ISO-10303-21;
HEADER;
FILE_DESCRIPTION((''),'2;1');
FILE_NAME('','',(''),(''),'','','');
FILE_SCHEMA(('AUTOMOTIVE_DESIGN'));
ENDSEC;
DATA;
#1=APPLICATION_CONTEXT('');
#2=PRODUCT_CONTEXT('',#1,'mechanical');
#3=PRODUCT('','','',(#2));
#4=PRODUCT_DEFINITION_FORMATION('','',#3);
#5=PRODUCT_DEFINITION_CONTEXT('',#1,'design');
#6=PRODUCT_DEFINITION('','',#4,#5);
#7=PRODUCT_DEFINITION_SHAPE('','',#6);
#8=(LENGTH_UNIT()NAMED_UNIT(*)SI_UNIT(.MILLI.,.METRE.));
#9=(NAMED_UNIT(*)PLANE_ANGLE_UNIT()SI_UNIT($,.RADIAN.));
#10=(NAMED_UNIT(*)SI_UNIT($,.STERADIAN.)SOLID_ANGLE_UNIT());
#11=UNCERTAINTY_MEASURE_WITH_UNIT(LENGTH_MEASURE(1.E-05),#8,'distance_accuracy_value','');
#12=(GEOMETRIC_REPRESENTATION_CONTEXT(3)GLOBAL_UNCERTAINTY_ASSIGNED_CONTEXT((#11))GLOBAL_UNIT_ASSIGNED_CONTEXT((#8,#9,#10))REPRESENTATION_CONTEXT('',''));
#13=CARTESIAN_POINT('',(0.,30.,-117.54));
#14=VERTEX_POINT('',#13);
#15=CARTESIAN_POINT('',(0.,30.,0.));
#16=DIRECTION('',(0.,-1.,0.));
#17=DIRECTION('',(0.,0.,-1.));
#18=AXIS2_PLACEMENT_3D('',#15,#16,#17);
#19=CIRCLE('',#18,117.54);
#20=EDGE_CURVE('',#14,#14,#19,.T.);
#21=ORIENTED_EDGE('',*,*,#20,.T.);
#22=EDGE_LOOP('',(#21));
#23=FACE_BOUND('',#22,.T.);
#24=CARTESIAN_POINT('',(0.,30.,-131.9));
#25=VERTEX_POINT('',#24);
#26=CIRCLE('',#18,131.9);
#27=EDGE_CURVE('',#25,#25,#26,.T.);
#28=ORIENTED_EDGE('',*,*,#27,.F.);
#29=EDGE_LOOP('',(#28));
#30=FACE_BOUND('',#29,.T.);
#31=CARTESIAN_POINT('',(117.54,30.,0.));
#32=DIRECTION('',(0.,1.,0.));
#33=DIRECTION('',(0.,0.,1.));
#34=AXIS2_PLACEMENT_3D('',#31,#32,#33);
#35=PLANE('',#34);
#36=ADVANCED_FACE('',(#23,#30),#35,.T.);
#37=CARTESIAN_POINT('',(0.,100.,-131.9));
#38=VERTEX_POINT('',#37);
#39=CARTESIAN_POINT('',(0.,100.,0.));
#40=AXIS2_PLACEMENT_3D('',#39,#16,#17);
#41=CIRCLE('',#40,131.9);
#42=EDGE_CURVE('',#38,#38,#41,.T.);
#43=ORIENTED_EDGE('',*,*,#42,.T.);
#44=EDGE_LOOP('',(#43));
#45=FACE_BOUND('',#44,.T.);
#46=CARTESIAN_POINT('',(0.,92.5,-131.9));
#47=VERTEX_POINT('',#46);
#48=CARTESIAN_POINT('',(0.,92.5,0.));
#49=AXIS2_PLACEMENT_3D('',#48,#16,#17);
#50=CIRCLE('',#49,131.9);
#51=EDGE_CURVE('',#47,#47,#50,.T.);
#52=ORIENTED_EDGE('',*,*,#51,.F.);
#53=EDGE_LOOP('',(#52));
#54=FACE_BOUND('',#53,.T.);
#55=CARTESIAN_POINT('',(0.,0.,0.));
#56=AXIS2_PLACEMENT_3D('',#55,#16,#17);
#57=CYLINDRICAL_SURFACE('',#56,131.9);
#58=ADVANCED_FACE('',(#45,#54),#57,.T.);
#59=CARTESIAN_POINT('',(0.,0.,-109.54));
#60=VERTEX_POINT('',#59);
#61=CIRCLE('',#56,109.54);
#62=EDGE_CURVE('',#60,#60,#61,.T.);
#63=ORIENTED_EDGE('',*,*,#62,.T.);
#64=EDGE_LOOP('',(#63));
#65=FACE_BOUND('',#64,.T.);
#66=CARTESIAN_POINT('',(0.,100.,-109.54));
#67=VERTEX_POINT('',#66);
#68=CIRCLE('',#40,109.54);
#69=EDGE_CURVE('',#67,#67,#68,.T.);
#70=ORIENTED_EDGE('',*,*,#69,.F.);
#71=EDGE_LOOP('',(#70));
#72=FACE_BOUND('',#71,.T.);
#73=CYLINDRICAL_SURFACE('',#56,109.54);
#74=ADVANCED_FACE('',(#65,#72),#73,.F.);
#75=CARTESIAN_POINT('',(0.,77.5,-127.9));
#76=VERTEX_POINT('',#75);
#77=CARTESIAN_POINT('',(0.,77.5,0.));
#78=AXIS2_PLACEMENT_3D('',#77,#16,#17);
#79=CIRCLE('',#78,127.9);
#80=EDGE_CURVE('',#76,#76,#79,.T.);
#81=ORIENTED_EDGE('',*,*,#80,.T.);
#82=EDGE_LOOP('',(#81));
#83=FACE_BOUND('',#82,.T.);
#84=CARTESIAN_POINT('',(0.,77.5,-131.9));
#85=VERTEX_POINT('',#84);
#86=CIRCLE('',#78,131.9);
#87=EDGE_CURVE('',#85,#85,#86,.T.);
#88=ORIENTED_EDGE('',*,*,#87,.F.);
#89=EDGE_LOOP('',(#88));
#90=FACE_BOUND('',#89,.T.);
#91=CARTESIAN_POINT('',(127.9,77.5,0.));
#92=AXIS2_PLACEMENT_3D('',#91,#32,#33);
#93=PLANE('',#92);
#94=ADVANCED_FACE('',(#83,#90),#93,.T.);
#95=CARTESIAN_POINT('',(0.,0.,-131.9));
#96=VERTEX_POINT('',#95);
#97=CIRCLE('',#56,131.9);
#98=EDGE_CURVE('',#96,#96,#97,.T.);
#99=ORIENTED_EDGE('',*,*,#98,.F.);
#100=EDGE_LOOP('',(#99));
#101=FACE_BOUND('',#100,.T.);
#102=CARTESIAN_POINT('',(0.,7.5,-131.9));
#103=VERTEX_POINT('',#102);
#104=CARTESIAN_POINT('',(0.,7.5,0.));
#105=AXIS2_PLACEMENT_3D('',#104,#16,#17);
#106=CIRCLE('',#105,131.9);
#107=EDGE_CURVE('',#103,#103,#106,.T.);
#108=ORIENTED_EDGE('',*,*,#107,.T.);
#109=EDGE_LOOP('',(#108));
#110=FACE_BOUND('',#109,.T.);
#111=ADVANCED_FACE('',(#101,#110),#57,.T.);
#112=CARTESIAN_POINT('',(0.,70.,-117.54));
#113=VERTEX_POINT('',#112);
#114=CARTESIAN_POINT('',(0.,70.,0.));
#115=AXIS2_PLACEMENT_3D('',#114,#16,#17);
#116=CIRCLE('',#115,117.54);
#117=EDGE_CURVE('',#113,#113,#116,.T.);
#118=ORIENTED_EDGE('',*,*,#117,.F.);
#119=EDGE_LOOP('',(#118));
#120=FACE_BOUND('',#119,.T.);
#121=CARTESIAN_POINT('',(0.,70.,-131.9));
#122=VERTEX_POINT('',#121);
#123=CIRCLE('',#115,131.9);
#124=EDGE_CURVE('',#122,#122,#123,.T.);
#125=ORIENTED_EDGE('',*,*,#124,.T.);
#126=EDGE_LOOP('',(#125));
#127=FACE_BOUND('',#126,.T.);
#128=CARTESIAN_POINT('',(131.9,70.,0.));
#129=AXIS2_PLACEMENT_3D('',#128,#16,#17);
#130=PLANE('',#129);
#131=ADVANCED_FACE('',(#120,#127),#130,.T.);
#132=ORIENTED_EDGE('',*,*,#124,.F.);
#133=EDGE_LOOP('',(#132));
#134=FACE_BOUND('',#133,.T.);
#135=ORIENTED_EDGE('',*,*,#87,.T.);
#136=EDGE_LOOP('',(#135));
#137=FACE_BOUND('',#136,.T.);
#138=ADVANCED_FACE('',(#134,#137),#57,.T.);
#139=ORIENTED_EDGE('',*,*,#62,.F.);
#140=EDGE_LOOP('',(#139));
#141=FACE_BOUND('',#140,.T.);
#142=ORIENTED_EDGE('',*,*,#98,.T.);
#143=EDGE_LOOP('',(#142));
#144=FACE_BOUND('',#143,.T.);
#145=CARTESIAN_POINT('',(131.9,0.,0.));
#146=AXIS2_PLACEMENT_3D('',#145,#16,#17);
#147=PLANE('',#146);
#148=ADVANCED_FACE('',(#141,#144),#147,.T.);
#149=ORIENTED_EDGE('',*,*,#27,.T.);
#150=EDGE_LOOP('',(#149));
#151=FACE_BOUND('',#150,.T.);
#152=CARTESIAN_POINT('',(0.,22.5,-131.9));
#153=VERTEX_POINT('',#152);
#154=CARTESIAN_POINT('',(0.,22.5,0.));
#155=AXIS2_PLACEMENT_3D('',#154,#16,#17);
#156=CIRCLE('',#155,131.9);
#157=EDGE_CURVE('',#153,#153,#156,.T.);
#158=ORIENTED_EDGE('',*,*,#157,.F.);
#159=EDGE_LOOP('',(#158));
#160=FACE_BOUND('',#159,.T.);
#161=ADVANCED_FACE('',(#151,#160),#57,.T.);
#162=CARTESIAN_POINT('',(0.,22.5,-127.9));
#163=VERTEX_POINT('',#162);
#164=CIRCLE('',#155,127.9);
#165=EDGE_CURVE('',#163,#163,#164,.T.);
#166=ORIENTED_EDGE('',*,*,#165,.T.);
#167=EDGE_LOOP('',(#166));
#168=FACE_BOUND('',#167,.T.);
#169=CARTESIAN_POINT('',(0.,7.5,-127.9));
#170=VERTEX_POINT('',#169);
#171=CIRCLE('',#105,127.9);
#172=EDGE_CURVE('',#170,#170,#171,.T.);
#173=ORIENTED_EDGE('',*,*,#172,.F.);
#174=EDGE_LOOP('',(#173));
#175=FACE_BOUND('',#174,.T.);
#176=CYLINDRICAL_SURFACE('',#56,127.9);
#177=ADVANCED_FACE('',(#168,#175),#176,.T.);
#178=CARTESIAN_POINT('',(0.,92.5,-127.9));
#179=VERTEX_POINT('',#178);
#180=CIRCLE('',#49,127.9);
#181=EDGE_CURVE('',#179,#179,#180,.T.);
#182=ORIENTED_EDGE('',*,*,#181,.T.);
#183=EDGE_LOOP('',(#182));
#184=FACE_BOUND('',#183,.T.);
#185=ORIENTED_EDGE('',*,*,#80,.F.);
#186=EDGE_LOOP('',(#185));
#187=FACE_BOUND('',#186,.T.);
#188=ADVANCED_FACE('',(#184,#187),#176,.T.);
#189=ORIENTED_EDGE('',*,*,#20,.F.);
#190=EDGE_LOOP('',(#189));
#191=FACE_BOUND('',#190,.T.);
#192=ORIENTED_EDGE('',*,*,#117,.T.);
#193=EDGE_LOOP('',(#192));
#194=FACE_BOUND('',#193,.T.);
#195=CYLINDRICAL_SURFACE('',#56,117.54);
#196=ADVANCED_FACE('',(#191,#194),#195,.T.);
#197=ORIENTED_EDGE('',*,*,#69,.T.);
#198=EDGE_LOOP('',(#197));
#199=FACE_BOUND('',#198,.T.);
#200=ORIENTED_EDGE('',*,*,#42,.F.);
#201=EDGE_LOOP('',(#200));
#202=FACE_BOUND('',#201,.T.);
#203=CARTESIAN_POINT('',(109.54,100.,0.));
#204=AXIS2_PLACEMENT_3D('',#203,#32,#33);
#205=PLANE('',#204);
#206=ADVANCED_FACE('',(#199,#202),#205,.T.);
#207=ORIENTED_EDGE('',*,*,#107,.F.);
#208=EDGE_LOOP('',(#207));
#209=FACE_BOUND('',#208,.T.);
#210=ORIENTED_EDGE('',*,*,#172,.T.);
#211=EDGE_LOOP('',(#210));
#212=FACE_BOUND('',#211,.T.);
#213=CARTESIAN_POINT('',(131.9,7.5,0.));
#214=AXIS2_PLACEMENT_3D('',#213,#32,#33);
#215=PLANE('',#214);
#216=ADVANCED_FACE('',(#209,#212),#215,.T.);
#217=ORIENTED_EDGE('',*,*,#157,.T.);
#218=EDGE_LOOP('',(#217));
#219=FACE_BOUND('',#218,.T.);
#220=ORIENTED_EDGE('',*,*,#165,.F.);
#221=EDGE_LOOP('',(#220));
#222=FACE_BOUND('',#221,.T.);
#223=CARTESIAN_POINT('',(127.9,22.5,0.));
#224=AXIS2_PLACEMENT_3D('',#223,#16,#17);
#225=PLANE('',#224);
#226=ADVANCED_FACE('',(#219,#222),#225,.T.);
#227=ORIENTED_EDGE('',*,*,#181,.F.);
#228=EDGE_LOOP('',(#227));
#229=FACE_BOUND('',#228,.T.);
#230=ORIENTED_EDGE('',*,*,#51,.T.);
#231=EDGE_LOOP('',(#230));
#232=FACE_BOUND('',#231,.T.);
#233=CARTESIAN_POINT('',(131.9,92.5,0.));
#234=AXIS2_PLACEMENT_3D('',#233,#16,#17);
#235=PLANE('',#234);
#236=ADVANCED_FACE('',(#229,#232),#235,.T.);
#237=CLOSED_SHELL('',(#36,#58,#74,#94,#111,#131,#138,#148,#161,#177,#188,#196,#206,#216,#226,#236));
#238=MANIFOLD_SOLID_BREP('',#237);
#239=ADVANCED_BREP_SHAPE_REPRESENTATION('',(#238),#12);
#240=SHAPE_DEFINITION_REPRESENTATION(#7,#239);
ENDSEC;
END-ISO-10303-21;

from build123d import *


with BuildPart() as part:
    # Esboço1 → Revolução1 (revolve)
    with BuildSketch(Plane.XY):
        Polygon((109.54, 100), (131.9, 100), (131.9, 92.5), (127.9, 92.5), (127.9, 77.5), (131.9, 77.5), (131.9, 70), (117.54, 70), (117.54, 30), (131.9, 30), (131.9, 22.5), (127.9, 22.5), (127.9, 7.5), (131.9, 7.5), (131.9, 0), (109.54, 0), align=None)
    revolve(axis=Axis((0, 0, 0), (0, 1, 0)))


solid = part.part
